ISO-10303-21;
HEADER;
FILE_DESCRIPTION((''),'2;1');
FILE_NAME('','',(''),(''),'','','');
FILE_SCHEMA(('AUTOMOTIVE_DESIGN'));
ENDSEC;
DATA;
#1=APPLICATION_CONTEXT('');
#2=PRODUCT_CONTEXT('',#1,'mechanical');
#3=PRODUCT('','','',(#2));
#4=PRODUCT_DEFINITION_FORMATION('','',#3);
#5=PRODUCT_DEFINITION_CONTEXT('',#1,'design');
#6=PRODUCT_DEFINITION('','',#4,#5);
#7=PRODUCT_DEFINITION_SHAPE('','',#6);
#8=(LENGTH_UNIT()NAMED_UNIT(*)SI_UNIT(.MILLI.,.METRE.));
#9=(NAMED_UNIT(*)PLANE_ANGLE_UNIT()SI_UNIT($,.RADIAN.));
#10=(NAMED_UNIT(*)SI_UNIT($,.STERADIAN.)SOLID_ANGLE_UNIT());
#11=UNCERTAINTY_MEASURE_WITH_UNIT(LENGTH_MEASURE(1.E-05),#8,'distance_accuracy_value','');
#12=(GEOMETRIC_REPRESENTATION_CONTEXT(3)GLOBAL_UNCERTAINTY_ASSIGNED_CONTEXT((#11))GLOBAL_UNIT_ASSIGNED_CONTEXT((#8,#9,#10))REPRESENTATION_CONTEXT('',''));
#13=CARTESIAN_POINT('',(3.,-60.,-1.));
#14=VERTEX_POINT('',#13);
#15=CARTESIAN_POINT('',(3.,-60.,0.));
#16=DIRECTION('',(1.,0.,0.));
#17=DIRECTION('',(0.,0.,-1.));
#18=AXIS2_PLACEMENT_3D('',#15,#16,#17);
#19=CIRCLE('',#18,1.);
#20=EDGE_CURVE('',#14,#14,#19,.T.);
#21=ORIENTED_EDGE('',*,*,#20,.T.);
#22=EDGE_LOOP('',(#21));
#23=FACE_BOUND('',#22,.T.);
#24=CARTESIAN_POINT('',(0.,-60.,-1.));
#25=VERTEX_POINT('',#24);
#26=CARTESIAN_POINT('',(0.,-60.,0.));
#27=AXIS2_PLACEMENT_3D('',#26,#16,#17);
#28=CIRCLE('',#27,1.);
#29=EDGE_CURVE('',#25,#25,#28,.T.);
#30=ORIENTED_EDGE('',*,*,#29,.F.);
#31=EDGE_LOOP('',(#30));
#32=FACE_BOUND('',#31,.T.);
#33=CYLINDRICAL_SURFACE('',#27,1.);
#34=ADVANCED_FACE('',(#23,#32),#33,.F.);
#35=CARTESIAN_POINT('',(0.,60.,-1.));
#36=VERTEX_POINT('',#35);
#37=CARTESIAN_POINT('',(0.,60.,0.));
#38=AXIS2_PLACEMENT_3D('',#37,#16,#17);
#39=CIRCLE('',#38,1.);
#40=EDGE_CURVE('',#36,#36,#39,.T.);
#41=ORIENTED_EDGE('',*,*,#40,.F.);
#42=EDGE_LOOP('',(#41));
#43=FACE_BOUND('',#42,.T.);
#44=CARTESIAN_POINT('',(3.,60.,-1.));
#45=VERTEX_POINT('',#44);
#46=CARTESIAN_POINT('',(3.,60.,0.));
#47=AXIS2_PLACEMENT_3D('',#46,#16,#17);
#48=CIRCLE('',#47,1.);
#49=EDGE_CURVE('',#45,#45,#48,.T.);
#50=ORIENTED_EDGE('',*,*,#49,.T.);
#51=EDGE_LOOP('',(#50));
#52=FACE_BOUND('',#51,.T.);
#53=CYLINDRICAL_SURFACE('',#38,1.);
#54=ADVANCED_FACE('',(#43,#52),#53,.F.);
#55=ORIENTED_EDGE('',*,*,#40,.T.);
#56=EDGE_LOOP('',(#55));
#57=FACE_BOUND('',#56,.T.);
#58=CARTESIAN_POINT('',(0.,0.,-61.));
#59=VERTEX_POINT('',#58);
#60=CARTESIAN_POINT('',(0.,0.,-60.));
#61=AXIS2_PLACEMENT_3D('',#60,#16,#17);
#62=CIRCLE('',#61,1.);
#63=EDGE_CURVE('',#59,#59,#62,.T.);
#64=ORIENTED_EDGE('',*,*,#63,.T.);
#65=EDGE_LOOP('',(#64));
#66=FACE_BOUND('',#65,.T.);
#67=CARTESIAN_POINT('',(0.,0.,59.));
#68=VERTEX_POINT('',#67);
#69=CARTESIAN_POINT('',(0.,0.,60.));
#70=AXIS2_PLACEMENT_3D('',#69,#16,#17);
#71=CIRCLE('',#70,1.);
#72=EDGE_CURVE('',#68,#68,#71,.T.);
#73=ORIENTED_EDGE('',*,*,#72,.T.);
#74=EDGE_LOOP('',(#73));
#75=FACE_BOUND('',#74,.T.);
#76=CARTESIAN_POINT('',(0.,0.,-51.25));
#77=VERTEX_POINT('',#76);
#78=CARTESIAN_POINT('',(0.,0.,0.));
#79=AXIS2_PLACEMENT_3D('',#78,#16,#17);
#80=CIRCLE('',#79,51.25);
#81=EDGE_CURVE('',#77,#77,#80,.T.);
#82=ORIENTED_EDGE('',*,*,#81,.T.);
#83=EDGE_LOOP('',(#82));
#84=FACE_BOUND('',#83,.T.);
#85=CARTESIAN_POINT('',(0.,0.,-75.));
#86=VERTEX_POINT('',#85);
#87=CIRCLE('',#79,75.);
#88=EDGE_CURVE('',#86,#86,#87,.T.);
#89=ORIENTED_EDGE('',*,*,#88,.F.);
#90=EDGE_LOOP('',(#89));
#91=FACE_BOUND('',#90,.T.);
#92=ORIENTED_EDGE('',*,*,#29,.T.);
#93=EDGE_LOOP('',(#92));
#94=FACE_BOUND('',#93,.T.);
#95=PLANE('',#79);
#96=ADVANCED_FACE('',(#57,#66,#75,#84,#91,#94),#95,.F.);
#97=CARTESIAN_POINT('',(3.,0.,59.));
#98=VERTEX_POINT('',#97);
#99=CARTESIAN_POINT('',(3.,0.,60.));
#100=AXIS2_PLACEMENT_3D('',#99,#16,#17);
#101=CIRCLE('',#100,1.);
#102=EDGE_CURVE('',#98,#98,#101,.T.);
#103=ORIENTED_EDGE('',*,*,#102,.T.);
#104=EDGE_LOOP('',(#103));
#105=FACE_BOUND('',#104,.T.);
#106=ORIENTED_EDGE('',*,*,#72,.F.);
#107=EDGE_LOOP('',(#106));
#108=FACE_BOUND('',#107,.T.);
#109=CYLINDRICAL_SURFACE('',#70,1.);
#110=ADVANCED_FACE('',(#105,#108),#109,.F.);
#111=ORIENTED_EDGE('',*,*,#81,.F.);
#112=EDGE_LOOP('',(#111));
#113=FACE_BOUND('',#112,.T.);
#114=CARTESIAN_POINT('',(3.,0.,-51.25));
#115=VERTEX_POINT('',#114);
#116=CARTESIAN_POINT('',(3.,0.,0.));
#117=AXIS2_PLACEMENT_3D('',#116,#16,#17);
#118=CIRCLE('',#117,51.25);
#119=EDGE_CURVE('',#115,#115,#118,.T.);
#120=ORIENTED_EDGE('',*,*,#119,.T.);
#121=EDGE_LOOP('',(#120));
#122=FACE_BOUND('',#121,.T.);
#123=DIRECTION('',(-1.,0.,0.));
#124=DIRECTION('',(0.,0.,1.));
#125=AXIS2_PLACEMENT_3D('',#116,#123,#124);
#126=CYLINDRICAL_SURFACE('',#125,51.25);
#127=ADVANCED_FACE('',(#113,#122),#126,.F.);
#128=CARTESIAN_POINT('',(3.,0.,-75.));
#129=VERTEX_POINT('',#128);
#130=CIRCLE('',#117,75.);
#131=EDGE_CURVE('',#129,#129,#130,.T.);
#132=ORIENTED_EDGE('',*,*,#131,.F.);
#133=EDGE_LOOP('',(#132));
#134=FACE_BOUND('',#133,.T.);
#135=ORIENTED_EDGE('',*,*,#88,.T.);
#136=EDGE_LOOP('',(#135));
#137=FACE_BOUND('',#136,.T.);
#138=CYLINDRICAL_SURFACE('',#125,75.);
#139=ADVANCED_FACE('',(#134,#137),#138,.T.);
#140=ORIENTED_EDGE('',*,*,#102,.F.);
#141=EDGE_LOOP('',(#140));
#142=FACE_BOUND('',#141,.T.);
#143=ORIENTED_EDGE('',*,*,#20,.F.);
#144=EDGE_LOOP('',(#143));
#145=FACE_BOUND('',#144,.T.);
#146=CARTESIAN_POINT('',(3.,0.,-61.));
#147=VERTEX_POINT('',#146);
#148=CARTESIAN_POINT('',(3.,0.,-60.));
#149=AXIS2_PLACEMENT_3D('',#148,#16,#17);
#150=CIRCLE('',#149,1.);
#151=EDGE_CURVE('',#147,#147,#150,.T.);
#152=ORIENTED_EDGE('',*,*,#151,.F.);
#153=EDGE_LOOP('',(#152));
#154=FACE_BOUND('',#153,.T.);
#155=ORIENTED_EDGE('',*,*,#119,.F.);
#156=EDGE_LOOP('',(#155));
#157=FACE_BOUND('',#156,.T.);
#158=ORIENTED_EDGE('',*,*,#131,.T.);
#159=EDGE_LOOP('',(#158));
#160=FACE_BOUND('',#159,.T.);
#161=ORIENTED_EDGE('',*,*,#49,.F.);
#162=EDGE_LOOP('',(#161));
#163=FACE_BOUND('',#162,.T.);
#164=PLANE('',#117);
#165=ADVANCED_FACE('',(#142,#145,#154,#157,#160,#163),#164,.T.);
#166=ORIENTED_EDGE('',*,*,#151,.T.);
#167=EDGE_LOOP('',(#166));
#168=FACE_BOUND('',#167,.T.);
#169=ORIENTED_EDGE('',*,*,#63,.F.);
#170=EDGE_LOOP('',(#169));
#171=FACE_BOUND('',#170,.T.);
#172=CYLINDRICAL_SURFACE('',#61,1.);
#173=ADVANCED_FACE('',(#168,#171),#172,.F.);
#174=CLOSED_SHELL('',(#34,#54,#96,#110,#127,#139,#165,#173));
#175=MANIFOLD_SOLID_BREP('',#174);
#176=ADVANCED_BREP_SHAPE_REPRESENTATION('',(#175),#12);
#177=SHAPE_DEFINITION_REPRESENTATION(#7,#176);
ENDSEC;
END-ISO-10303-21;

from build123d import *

# Parameters (mm, degrees)
ESQUISSE1_R        = 75
ESQUISSE1_R_2      = 51.25
BOSS_EXTRU_1_DEPTH = 3
SKETCH1_R          = 1
AIR_VENTS_DEPTH    = 107.108435103


with BuildPart() as part:
    # Esquisse1 → Boss.-Extru.1 (new body)
    with BuildSketch(Plane(origin=(0, 0, 0), x_dir=(0, 0, -1), z_dir=(1, 0, 0))):
        Circle(ESQUISSE1_R)
        Circle(ESQUISSE1_R_2, mode=Mode.SUBTRACT)
    extrude(amount=BOSS_EXTRU_1_DEPTH)

    # Sketch1 → air vents (cut, through all)
    with BuildSketch(Plane(origin=(3, 0, 0), x_dir=(0, 0, -1), z_dir=(1, 0, 0))):
        with Locations((0, 60)):
            Circle(SKETCH1_R)
        with Locations((60, 0)):
            Circle(SKETCH1_R)
        with Locations((0, -60)):
            Circle(SKETCH1_R)
        with Locations((-60, 0)):
            Circle(SKETCH1_R)
    extrude(amount=-AIR_VENTS_DEPTH, mode=Mode.SUBTRACT)


solid = part.part
